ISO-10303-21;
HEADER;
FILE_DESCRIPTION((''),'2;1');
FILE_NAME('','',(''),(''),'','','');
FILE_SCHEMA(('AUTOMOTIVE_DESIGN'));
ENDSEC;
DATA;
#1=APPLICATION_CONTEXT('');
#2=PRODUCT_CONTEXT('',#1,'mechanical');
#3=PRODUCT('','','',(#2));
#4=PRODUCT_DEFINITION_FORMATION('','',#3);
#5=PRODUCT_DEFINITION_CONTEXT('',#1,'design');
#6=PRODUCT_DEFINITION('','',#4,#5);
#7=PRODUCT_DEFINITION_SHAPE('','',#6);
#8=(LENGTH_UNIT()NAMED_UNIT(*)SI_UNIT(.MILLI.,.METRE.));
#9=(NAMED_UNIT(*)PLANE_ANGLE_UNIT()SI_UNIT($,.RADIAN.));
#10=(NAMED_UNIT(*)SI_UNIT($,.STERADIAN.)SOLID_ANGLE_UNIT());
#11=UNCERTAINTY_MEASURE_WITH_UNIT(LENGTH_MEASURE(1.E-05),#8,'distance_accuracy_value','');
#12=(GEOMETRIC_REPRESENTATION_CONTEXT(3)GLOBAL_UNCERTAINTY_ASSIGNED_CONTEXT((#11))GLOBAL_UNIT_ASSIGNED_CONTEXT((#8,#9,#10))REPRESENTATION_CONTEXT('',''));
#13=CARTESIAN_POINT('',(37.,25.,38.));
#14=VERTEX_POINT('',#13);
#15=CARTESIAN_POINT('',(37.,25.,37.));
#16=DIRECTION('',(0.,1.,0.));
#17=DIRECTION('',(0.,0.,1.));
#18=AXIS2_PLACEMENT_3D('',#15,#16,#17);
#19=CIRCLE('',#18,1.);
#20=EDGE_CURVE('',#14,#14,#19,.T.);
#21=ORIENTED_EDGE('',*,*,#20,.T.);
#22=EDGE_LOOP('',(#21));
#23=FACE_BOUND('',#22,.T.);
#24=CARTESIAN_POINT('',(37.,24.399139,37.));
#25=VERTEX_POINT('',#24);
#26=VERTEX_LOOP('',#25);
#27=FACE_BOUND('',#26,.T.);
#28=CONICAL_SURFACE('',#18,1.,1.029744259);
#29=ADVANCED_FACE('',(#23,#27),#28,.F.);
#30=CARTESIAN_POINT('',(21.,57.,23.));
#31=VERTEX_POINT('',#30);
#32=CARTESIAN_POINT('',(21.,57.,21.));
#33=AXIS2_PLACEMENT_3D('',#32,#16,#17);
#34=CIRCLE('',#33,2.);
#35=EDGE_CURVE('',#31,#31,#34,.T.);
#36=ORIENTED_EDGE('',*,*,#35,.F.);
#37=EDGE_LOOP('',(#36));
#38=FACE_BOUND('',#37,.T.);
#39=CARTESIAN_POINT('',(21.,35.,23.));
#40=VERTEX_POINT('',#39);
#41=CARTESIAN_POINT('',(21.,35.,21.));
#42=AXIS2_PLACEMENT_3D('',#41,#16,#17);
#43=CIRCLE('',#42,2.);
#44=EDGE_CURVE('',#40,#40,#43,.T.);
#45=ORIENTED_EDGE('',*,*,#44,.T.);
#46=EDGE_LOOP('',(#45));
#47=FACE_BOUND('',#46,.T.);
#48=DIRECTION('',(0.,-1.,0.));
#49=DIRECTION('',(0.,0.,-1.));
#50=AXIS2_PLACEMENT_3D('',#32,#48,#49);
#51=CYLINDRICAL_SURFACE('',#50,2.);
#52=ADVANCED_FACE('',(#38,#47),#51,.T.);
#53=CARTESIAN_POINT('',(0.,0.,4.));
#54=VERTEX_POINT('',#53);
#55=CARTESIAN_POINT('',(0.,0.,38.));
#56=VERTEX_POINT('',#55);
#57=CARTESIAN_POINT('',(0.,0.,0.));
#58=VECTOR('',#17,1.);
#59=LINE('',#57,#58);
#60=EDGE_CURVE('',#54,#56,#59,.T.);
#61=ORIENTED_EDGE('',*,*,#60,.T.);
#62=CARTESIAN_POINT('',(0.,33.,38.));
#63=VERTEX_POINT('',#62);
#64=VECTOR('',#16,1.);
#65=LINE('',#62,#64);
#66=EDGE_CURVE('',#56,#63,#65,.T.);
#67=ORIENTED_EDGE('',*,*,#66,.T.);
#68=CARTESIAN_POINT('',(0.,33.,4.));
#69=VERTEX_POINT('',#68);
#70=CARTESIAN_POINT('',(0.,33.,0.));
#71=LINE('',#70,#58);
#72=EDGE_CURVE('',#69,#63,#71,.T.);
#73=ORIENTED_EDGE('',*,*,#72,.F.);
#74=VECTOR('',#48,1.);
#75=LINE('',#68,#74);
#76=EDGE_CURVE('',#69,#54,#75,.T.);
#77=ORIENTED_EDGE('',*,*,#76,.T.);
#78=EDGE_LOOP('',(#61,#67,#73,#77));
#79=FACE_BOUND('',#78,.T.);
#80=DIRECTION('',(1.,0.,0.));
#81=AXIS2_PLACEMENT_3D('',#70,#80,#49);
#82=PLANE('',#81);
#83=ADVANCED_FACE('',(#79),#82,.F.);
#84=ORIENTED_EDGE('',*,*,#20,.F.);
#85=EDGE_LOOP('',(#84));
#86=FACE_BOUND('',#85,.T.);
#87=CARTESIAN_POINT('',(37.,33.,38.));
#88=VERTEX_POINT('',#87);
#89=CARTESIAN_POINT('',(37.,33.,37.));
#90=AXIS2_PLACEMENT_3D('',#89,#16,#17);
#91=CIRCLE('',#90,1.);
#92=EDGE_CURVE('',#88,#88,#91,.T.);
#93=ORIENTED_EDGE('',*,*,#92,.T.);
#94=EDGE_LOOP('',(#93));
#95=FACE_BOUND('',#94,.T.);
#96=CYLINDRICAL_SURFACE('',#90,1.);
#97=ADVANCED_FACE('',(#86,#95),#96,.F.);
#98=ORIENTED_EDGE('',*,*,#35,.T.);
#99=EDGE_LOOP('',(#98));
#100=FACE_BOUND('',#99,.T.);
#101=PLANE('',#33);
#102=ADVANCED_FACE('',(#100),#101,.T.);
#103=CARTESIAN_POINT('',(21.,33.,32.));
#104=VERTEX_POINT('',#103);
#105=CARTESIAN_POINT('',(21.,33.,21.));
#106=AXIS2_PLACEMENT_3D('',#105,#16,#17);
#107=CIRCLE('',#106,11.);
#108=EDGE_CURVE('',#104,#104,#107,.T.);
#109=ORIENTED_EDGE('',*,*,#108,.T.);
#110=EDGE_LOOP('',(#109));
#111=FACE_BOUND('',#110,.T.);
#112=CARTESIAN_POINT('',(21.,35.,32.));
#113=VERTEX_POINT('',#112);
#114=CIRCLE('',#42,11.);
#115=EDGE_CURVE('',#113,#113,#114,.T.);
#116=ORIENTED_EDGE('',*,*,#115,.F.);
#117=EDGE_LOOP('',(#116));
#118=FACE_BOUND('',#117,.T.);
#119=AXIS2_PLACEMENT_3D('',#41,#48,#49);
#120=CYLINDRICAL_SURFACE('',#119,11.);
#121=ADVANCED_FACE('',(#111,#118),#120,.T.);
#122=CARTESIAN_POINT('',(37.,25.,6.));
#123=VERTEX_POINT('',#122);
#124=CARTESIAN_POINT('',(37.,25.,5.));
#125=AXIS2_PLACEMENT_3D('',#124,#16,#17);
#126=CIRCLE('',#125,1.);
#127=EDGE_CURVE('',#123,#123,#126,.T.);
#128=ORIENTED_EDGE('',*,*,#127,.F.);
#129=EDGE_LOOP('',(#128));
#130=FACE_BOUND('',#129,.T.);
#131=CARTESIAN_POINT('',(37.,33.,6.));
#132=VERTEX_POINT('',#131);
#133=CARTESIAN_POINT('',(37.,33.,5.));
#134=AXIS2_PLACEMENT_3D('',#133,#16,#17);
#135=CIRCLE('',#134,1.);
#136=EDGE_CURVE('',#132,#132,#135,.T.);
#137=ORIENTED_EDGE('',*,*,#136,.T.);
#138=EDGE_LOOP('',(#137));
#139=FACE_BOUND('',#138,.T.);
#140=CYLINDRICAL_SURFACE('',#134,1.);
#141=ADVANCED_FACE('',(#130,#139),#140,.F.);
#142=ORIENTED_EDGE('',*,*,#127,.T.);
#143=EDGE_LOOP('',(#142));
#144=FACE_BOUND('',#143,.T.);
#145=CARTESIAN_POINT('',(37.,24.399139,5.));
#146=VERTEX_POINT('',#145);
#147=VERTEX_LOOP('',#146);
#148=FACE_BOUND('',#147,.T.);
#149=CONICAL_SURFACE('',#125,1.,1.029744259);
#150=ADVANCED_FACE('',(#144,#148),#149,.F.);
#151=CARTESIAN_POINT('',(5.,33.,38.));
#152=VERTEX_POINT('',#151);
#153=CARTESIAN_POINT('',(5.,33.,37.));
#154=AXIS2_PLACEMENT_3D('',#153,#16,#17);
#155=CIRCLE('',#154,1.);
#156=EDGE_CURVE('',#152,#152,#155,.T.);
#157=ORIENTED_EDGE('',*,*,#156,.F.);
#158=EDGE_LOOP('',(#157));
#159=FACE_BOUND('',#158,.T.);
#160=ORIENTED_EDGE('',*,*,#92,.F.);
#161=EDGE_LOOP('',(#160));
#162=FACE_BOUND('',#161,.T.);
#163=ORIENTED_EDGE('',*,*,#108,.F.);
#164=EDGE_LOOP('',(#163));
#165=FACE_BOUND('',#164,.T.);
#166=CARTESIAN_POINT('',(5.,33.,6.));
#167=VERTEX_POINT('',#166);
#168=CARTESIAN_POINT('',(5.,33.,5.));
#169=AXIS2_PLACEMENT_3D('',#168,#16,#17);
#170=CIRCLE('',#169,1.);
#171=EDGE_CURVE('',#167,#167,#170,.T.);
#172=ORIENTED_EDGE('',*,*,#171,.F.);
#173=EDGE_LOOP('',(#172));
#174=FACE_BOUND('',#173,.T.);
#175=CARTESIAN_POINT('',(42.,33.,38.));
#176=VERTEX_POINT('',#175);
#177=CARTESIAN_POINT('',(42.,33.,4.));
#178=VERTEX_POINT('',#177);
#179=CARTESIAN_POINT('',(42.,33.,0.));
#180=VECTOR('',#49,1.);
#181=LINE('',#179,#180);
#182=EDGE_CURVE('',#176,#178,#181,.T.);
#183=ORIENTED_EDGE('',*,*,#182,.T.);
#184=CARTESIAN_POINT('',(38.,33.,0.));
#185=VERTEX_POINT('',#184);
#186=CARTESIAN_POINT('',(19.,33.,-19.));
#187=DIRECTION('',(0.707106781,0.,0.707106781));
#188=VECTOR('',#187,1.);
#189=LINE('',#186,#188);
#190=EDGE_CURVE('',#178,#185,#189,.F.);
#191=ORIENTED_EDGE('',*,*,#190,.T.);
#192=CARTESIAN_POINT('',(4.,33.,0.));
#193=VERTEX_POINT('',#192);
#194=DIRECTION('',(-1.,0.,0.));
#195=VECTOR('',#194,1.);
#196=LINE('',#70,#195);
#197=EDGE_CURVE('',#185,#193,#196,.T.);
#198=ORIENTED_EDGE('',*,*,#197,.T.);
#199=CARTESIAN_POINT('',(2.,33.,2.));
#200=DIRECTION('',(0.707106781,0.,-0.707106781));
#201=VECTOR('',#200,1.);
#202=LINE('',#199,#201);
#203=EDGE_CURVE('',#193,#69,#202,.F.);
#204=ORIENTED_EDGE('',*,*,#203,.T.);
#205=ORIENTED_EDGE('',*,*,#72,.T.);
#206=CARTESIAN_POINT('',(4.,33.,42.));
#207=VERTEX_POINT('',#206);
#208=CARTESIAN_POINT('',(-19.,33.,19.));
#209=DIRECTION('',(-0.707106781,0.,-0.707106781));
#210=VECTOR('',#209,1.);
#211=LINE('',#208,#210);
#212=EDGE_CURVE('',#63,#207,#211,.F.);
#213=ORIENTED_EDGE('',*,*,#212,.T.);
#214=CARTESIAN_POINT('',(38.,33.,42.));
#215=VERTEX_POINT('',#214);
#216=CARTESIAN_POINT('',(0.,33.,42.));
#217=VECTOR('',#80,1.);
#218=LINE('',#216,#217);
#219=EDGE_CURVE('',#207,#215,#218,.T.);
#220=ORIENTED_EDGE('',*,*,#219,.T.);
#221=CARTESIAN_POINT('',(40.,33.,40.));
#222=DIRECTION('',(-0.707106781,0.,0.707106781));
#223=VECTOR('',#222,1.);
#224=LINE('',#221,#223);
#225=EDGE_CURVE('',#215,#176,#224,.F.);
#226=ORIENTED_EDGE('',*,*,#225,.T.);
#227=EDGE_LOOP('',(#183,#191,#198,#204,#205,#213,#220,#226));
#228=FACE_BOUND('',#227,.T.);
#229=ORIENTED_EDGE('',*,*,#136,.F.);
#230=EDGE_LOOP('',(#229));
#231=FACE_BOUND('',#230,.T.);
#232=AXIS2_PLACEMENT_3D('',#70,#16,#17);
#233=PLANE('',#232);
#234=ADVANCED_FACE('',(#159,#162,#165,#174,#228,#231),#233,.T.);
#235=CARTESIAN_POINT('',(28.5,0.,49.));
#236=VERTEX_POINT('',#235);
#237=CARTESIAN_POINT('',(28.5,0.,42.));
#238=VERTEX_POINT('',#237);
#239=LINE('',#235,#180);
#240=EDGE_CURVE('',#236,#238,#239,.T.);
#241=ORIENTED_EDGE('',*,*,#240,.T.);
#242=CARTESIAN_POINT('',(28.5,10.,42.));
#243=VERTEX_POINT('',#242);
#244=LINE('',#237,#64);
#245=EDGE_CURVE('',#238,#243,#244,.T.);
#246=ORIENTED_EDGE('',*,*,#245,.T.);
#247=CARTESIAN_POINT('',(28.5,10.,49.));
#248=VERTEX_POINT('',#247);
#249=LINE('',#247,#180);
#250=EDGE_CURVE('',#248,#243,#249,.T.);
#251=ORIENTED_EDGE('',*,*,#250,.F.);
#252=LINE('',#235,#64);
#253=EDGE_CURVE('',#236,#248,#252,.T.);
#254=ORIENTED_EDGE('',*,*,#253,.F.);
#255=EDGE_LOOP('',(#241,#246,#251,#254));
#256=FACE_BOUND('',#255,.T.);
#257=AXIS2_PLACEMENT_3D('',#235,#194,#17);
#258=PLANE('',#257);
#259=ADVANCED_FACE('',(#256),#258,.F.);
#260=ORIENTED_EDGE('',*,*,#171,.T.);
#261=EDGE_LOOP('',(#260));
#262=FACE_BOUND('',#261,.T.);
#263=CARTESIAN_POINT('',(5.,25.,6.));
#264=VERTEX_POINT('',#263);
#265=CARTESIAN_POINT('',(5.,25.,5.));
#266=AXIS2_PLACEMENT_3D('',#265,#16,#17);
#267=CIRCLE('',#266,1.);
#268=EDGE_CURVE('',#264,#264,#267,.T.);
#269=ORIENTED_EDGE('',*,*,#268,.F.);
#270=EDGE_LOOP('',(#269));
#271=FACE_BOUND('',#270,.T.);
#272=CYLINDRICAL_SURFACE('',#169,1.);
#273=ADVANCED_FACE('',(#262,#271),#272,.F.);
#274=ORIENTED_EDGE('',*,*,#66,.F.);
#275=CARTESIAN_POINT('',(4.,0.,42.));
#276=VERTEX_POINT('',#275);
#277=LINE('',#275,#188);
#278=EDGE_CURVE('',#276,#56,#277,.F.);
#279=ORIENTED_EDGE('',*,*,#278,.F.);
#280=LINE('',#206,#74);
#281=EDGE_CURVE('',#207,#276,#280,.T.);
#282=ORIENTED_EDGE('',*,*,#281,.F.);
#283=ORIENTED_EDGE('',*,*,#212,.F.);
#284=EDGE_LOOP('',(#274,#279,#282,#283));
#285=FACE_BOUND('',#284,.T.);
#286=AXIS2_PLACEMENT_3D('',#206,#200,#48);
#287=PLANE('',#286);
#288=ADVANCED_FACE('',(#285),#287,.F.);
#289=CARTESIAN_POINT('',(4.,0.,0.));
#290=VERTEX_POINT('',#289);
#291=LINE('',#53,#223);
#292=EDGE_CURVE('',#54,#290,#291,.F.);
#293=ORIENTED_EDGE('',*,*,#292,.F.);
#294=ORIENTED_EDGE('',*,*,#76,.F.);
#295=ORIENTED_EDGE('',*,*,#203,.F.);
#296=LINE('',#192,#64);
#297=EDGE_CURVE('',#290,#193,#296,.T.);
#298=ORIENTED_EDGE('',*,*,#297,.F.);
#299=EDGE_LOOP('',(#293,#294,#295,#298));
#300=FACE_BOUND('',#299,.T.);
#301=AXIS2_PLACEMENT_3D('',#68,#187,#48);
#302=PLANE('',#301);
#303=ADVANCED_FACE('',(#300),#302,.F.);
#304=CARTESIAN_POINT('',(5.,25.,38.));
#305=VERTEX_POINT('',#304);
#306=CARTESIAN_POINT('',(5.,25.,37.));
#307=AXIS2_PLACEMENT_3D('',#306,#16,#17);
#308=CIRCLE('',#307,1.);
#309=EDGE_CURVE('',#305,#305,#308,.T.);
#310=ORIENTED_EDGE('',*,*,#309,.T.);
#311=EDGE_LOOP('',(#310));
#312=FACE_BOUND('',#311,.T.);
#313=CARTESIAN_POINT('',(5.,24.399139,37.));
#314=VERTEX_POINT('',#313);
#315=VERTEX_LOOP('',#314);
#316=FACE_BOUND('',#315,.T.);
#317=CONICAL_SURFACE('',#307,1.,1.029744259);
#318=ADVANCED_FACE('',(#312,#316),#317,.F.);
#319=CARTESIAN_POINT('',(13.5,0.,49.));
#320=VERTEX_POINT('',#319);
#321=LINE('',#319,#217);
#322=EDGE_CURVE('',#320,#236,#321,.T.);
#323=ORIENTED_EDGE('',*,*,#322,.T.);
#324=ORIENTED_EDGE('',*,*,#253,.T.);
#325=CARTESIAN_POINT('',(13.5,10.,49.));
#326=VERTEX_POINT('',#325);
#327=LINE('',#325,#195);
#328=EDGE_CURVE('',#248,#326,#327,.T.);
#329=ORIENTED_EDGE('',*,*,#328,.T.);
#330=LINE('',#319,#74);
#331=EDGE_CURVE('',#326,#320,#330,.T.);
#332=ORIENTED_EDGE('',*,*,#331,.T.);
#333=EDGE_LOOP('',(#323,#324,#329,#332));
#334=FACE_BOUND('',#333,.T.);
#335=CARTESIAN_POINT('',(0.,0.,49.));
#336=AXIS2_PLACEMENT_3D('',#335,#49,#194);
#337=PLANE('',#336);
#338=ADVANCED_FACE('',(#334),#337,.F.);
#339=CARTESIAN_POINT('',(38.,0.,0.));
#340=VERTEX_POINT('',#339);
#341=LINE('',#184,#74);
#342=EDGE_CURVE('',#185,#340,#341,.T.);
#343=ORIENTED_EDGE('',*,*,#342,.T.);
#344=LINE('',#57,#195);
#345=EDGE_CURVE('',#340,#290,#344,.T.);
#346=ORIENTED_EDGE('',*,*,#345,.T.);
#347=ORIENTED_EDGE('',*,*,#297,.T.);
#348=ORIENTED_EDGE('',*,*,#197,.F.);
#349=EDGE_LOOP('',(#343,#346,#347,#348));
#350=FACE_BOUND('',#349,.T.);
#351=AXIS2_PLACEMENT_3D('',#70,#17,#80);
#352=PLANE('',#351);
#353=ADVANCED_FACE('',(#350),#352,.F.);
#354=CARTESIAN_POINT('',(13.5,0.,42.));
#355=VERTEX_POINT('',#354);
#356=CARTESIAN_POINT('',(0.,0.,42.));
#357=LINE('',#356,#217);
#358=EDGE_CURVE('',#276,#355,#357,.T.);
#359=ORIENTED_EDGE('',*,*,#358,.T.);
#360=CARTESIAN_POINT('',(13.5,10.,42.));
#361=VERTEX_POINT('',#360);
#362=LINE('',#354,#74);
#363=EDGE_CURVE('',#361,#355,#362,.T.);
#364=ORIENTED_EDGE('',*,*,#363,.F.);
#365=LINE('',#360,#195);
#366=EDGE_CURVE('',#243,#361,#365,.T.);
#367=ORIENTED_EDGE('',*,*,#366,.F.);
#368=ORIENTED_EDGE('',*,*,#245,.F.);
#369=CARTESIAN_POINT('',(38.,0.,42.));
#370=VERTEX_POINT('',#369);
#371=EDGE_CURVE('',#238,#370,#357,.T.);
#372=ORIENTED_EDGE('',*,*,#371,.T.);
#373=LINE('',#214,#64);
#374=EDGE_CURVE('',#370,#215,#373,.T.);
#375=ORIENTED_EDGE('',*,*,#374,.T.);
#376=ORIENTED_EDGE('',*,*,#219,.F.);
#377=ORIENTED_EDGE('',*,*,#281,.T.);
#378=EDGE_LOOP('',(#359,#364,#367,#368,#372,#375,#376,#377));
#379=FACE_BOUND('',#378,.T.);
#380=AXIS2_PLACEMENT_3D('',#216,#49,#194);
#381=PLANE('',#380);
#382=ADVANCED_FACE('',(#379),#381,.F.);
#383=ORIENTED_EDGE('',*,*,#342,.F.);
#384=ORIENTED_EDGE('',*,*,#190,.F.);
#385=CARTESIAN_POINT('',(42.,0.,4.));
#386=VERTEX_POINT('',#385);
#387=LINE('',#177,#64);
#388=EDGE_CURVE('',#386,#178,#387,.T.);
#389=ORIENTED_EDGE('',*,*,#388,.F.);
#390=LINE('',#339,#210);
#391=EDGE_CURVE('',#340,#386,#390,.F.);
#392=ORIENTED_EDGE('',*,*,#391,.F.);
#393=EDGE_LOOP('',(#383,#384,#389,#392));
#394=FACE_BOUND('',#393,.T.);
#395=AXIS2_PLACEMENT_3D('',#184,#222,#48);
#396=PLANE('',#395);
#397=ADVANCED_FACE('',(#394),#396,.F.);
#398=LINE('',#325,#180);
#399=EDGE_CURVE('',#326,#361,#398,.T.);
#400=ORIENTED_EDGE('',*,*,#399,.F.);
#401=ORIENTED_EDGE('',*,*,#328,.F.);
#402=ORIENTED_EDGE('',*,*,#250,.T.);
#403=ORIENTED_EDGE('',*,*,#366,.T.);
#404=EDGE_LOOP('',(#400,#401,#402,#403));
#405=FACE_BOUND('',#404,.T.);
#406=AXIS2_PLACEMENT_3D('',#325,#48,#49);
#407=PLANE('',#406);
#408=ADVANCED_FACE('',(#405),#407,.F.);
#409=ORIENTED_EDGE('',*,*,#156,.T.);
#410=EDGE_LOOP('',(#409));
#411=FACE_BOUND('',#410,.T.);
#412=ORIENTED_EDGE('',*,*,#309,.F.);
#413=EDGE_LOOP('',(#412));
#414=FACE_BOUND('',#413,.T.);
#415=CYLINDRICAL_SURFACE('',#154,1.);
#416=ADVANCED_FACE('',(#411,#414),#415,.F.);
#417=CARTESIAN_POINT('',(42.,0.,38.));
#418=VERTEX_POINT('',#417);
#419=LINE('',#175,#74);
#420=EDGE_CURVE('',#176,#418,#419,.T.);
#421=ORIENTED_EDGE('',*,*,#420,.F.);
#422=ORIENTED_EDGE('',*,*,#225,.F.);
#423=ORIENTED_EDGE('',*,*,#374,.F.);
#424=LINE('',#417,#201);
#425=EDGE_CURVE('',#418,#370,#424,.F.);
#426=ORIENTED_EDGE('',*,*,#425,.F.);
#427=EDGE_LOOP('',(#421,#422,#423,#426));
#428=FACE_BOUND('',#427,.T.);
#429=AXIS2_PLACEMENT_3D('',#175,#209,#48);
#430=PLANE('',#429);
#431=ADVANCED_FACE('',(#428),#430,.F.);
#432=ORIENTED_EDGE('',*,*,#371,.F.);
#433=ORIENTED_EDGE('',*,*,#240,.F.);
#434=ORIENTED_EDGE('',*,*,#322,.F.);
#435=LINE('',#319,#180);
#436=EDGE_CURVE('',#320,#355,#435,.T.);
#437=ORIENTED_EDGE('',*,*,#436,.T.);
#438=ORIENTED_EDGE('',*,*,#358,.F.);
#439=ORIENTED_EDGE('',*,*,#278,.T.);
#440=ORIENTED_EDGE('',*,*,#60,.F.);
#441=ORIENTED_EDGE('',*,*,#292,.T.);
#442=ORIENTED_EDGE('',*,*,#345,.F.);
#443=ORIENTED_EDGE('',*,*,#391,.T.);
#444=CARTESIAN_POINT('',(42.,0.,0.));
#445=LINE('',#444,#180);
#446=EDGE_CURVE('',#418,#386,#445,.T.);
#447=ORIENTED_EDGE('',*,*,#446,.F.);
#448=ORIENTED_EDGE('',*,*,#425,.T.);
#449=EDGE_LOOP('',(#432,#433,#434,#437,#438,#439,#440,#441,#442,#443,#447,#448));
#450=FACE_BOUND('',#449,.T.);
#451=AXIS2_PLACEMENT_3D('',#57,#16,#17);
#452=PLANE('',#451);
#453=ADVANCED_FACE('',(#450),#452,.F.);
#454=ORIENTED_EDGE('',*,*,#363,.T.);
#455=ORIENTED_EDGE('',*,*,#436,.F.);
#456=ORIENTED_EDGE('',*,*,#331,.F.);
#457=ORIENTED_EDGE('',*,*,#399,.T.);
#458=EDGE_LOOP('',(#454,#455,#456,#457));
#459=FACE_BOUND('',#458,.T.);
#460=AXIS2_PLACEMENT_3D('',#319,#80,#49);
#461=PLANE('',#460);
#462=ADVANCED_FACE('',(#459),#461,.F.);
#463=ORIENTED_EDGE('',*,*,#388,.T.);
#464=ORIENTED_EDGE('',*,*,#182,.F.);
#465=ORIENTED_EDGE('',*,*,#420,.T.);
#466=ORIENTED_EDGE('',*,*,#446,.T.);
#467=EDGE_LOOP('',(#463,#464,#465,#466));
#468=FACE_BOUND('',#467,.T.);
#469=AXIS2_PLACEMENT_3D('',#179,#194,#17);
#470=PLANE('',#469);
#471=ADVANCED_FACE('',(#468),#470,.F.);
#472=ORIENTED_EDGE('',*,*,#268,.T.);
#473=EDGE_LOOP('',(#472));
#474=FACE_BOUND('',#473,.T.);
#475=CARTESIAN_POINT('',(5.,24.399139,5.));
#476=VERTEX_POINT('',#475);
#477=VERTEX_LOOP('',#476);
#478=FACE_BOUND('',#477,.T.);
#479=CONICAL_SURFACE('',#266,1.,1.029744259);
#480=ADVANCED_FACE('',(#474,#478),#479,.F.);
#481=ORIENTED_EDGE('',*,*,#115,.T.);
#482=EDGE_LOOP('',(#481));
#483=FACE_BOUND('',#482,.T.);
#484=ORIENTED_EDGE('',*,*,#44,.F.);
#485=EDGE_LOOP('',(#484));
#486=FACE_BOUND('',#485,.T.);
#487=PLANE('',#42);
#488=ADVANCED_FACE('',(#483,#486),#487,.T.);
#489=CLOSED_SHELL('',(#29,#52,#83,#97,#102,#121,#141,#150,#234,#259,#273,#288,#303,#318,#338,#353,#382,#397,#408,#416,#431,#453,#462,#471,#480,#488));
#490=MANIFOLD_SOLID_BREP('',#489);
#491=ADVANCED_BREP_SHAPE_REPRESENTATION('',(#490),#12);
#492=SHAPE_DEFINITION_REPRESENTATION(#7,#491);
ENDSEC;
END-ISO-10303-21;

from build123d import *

# Parameters (mm, degrees)
SKETCH1_W                           = 42
SKETCH1_H                           = 42
BOSS_EXTRUDE1_DEPTH                 = 33
SKETCH2_R                           = 11
BOSS_EXTRUDE2_DEPTH                 = 2
SKETCH3_R                           = 2
BOSS_EXTRUDE3_DEPTH                 = 22
SKETCH4_W                           = 15
SKETCH4_H                           = 10
BOSS_EXTRUDE4_DEPTH                 = 7
F_2_0MM_CLEARANCE_DOWEL_HOLE1_D     = 2
F_2_0MM_CLEARANCE_DOWEL_HOLE1_DEPTH = 8
F_2_0MM_CLEARANCE_DOWEL_HOLE1_TIP   = 0.600860619
CHAMFER1_SIZE                       = 4


with BuildPart() as part:
    # Sketch1 → Boss-Extrude1 (new body)
    with BuildSketch(Plane(origin=(0, 0, 0), x_dir=(1, 0, 0), z_dir=(0, 1, 0))):
        with Locations((21, -21)):
            Rectangle(SKETCH1_W, SKETCH1_H)
    extrude(amount=BOSS_EXTRUDE1_DEPTH)

    # Sketch2 → Boss-Extrude2 (add)
    with BuildSketch(Plane(origin=(0, 33, 0), x_dir=(1, 0, 0), z_dir=(0, 1, 0))):
        with Locations(Location((21, -21, 0), (0, 0, 270))):
            Circle(SKETCH2_R)
    extrude(amount=BOSS_EXTRUDE2_DEPTH)

    # Sketch3 → Boss-Extrude3 (add)
    with BuildSketch(Plane(origin=(0, 35, 0), x_dir=(1, 0, 0), z_dir=(0, 1, 0))):
        with Locations(Location((21, -21, 0), (0, 0, 270))):
            Circle(SKETCH3_R)
    extrude(amount=BOSS_EXTRUDE3_DEPTH)

    # Sketch4 → Boss-Extrude4 (add)
    with BuildSketch(Plane.XY.offset(42)):
        with Locations((21, 5)):
            Rectangle(SKETCH4_W, SKETCH4_H)
    extrude(amount=BOSS_EXTRUDE4_DEPTH)

    # Ø2.0mm Clearance Dowel Hole1
    with Locations(Plane(origin=(37, 33, 5), x_dir=(0, 0, 1), z_dir=(0, 1, 0))):
        with Locations((0, 0), (32, 0), (32, -32), (0, -32)):
            Hole(F_2_0MM_CLEARANCE_DOWEL_HOLE1_D / 2, depth=F_2_0MM_CLEARANCE_DOWEL_HOLE1_DEPTH)
            with Locations((0, 0, -(F_2_0MM_CLEARANCE_DOWEL_HOLE1_DEPTH + F_2_0MM_CLEARANCE_DOWEL_HOLE1_TIP / 2))):  # 118° drill point
                Cone(0, F_2_0MM_CLEARANCE_DOWEL_HOLE1_D / 2, F_2_0MM_CLEARANCE_DOWEL_HOLE1_TIP, mode=Mode.SUBTRACT)

    # Chamfer1
    chamfer1_edges = [part.edges().sort_by_distance(p)[0] for p in [
        (0, 16.5, 0),
        (42, 16.5, 0),
        (42, 16.5, 42),
        (0, 16.5, 42),
    ]]
    chamfer(chamfer1_edges, length=CHAMFER1_SIZE)


solid = part.part
